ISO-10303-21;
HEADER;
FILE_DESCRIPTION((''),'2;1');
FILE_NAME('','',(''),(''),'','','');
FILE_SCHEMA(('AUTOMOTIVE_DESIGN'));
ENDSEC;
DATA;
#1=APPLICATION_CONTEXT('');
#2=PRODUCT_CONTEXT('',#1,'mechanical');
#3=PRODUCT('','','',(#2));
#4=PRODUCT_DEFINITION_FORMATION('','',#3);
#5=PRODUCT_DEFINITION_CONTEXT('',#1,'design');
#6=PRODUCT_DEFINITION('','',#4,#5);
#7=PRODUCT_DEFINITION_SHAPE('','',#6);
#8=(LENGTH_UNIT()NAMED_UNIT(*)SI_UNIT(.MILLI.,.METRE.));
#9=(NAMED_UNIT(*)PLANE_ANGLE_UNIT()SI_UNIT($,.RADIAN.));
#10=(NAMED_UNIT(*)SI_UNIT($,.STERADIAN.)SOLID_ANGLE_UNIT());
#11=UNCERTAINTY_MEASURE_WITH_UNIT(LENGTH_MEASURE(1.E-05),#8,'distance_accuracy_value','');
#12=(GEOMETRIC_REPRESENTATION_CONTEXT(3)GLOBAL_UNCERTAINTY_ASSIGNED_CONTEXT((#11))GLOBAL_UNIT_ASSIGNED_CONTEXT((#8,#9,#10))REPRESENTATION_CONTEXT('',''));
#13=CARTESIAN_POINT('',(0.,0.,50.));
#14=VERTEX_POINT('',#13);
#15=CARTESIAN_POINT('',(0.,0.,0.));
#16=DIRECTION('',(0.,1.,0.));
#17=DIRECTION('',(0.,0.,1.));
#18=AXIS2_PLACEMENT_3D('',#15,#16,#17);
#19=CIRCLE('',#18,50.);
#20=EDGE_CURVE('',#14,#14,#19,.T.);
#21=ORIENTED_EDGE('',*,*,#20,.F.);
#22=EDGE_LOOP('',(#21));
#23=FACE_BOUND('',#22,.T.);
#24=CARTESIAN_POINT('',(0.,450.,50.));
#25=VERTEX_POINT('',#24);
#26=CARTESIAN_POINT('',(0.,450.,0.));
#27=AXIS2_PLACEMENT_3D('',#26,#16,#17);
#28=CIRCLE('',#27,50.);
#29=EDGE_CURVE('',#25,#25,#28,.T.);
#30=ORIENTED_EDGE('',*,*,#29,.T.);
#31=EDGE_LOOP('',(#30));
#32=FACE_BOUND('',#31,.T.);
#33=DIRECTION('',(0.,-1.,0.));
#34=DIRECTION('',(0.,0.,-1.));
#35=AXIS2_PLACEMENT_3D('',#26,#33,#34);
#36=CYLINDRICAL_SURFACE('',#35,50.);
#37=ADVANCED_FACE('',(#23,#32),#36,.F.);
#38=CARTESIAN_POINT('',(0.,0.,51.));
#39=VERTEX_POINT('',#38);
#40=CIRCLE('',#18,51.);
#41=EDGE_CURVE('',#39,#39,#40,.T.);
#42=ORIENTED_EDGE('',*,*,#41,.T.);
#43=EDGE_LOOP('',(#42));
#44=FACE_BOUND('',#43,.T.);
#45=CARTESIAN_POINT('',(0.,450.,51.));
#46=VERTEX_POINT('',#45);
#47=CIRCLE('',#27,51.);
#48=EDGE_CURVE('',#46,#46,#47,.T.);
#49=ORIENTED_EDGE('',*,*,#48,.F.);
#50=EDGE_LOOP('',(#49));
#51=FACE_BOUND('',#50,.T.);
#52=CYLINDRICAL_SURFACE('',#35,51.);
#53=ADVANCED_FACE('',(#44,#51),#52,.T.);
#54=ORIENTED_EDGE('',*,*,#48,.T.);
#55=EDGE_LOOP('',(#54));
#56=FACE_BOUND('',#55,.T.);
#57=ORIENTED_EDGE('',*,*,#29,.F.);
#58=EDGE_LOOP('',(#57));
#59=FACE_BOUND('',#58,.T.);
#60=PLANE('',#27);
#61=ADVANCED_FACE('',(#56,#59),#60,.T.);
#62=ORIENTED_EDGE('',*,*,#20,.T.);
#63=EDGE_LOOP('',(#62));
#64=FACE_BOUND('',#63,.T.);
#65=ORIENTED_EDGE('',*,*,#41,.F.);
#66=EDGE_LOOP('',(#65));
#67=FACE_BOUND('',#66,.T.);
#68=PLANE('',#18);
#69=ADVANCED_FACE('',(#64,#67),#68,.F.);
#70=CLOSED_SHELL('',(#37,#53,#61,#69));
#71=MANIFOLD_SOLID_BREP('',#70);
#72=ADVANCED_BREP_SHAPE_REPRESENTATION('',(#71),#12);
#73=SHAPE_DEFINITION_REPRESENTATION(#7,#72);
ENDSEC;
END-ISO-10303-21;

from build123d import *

# Parameters (mm, degrees)
SKETCH_1_R      = 51
SKETCH_1_R_2    = 50
EXTRUDE_1_DEPTH = 450


with BuildPart() as part:
    # Эскиз1 → Бобышка-Вытянуть1 (new body)
    with BuildSketch(Plane(origin=(0, 0, 0), x_dir=(1, 0, 0), z_dir=(0, 1, 0))):
        with Locations(Location((0, 0, 0), (0, 0, 270))):
            Circle(SKETCH_1_R)
        with Locations(Location((0, 0, 0), (0, 0, 270))):
            Circle(SKETCH_1_R_2, mode=Mode.SUBTRACT)
    extrude(amount=EXTRUDE_1_DEPTH)


solid = part.part
